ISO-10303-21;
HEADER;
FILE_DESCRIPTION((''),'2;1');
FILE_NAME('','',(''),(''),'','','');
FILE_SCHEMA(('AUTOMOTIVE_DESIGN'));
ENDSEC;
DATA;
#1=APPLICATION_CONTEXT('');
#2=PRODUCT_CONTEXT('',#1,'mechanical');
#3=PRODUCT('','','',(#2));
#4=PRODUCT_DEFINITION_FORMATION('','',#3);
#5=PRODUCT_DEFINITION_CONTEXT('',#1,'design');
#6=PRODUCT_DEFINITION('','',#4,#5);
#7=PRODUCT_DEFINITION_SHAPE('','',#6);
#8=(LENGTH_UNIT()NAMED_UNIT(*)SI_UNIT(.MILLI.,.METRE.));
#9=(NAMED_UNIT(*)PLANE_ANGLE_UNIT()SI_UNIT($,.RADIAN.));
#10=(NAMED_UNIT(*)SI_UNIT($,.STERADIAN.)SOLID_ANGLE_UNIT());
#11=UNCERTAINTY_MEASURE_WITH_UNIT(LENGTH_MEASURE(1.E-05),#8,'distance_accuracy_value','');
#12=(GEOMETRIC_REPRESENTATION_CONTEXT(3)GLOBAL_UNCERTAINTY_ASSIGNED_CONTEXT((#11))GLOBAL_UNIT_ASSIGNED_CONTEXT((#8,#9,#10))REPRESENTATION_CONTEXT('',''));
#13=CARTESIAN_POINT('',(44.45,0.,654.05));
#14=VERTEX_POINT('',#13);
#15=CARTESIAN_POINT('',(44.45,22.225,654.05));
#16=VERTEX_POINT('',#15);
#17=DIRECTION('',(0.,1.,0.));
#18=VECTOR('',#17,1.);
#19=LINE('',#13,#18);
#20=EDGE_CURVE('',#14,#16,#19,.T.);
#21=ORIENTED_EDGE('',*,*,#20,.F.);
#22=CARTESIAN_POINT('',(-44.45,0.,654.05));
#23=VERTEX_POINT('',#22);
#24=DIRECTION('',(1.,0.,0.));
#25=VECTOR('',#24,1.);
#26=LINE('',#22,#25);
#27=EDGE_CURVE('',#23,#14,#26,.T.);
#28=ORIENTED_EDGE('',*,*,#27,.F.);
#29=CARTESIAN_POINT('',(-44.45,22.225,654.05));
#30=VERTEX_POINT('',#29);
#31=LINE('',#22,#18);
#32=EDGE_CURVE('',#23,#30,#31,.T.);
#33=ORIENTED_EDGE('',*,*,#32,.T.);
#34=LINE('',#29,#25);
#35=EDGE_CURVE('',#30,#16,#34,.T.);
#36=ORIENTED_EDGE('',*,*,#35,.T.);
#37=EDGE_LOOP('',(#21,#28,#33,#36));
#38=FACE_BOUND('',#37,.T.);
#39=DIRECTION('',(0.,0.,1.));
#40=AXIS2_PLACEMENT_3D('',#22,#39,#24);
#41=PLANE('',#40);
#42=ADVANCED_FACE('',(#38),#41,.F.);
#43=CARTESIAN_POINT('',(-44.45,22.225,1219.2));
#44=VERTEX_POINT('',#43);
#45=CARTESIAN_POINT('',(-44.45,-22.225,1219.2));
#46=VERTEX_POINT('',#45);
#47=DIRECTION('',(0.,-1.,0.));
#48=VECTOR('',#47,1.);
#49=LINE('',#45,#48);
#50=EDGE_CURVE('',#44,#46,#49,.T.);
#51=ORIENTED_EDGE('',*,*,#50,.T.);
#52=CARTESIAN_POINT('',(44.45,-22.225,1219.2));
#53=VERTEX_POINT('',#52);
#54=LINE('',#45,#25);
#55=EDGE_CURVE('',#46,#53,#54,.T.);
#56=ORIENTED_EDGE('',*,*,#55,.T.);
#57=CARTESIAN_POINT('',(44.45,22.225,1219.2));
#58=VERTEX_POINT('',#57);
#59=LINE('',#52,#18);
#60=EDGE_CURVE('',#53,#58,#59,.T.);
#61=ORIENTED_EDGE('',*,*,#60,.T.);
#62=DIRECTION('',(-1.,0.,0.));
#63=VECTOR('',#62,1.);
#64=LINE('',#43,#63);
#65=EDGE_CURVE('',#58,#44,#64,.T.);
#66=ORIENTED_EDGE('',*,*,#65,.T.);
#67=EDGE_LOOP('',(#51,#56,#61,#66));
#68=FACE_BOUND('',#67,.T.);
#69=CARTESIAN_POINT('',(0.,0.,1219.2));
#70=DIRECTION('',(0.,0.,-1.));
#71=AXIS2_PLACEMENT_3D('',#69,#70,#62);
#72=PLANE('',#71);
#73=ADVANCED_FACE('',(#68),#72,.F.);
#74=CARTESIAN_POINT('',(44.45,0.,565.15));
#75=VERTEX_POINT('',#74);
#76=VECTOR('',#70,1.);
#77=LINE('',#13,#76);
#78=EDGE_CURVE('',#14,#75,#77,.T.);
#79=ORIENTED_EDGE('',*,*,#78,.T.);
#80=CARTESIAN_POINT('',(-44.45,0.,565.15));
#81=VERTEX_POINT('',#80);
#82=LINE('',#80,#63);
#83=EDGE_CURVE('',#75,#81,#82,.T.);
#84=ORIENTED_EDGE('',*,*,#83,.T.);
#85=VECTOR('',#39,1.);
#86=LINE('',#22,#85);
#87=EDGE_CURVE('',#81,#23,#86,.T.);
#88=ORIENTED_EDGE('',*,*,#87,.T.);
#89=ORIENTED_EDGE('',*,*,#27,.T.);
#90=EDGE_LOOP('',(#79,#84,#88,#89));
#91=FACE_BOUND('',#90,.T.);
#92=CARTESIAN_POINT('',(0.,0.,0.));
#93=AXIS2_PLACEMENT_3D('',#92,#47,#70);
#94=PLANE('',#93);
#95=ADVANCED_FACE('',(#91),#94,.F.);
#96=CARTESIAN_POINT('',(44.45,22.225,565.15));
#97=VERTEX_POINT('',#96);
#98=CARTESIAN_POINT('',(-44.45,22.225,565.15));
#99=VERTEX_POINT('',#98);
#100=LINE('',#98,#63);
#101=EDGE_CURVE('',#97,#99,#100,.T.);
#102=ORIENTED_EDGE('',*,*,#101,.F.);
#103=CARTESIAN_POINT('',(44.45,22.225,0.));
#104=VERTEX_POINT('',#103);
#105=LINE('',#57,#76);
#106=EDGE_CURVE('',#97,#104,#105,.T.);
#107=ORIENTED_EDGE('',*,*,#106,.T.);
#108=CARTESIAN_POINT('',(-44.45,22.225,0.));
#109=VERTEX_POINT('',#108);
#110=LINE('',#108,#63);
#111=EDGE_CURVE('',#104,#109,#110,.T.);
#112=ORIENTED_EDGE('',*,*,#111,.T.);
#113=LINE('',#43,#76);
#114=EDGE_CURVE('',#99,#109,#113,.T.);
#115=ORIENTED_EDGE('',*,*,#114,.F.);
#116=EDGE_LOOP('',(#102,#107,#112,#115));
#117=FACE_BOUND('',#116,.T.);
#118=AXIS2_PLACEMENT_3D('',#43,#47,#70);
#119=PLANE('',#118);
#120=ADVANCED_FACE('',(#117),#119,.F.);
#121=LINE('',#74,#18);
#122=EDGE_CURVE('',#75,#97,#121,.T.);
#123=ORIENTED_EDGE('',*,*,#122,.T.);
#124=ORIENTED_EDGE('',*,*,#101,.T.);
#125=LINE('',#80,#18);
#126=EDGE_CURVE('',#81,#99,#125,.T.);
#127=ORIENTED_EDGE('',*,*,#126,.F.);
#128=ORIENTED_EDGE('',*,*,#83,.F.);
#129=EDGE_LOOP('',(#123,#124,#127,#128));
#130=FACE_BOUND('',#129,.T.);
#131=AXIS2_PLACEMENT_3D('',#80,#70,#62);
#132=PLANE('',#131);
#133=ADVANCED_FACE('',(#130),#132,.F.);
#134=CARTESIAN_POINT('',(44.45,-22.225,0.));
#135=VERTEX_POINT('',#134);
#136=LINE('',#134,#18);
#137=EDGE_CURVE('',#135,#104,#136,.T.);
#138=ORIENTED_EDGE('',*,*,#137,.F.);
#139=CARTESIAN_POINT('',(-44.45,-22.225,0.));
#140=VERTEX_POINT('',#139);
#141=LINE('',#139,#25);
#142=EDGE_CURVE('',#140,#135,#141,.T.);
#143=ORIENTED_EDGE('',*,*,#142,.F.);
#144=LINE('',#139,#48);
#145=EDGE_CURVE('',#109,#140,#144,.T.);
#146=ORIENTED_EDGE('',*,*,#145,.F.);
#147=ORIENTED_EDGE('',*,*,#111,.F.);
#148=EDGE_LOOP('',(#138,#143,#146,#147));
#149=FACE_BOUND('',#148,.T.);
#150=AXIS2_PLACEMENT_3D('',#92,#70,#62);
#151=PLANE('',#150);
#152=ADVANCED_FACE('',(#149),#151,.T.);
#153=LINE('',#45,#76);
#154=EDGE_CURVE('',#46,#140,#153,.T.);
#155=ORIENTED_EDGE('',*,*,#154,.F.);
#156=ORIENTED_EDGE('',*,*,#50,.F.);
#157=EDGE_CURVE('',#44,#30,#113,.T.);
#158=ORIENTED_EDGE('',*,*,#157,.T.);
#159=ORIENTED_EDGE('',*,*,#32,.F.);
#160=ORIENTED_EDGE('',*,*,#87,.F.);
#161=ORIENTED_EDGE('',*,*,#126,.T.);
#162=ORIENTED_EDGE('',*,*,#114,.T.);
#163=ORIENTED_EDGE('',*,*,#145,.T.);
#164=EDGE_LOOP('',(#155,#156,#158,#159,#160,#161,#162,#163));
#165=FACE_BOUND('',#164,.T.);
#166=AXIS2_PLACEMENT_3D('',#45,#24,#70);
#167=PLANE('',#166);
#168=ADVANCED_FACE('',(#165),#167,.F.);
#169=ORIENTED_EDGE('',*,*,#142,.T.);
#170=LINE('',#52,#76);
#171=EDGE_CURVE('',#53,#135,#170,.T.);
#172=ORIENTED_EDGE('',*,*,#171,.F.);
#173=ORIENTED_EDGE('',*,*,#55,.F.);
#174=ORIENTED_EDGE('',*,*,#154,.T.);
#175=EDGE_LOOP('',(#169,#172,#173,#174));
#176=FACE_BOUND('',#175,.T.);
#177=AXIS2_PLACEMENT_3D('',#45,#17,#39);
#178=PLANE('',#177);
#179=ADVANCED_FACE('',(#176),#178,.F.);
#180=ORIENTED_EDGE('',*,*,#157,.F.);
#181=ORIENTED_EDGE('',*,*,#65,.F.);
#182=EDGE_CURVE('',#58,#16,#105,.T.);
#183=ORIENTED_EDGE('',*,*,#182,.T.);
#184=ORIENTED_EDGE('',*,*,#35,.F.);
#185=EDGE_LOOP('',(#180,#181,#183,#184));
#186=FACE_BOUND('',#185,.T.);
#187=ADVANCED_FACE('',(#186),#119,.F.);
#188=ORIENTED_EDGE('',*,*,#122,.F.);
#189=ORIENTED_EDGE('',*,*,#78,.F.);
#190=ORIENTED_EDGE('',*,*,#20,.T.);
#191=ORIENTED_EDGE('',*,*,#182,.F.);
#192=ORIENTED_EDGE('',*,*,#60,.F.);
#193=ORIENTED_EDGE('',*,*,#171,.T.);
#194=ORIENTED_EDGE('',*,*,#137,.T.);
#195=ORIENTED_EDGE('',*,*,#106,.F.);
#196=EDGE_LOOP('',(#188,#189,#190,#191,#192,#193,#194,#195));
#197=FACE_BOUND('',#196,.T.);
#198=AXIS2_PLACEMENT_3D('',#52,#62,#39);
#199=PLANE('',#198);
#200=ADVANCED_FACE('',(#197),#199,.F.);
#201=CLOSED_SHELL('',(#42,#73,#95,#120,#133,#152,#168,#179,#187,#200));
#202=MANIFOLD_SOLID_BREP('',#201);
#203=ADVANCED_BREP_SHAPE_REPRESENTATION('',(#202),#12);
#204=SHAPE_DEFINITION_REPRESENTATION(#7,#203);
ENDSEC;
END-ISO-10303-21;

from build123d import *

# Parameters (mm, degrees)
SKETCH1_W           = 88.9
SKETCH1_H           = 44.45
BOSS_EXTRUDE1_DEPTH = 1219.2
SKETCH2_W           = 88.9
SKETCH2_H           = 88.9
CUT_EXTRUDE1_DEPTH  = 22.225


with BuildPart() as part:
    # Sketch1 → Boss-Extrude1 (new body)
    with BuildSketch(Plane.XY):
        Rectangle(SKETCH1_W, SKETCH1_H)
    extrude(amount=BOSS_EXTRUDE1_DEPTH)

    # Sketch2 → Cut-Extrude1 (cut)
    with BuildSketch(Plane(origin=(0, 22.225, 0), x_dir=(1, 0, 0), z_dir=(0, 1, 0))):
        with Locations((0, -609.6)):
            Rectangle(SKETCH2_W, SKETCH2_H)
    extrude(amount=-CUT_EXTRUDE1_DEPTH, mode=Mode.SUBTRACT)


solid = part.part
